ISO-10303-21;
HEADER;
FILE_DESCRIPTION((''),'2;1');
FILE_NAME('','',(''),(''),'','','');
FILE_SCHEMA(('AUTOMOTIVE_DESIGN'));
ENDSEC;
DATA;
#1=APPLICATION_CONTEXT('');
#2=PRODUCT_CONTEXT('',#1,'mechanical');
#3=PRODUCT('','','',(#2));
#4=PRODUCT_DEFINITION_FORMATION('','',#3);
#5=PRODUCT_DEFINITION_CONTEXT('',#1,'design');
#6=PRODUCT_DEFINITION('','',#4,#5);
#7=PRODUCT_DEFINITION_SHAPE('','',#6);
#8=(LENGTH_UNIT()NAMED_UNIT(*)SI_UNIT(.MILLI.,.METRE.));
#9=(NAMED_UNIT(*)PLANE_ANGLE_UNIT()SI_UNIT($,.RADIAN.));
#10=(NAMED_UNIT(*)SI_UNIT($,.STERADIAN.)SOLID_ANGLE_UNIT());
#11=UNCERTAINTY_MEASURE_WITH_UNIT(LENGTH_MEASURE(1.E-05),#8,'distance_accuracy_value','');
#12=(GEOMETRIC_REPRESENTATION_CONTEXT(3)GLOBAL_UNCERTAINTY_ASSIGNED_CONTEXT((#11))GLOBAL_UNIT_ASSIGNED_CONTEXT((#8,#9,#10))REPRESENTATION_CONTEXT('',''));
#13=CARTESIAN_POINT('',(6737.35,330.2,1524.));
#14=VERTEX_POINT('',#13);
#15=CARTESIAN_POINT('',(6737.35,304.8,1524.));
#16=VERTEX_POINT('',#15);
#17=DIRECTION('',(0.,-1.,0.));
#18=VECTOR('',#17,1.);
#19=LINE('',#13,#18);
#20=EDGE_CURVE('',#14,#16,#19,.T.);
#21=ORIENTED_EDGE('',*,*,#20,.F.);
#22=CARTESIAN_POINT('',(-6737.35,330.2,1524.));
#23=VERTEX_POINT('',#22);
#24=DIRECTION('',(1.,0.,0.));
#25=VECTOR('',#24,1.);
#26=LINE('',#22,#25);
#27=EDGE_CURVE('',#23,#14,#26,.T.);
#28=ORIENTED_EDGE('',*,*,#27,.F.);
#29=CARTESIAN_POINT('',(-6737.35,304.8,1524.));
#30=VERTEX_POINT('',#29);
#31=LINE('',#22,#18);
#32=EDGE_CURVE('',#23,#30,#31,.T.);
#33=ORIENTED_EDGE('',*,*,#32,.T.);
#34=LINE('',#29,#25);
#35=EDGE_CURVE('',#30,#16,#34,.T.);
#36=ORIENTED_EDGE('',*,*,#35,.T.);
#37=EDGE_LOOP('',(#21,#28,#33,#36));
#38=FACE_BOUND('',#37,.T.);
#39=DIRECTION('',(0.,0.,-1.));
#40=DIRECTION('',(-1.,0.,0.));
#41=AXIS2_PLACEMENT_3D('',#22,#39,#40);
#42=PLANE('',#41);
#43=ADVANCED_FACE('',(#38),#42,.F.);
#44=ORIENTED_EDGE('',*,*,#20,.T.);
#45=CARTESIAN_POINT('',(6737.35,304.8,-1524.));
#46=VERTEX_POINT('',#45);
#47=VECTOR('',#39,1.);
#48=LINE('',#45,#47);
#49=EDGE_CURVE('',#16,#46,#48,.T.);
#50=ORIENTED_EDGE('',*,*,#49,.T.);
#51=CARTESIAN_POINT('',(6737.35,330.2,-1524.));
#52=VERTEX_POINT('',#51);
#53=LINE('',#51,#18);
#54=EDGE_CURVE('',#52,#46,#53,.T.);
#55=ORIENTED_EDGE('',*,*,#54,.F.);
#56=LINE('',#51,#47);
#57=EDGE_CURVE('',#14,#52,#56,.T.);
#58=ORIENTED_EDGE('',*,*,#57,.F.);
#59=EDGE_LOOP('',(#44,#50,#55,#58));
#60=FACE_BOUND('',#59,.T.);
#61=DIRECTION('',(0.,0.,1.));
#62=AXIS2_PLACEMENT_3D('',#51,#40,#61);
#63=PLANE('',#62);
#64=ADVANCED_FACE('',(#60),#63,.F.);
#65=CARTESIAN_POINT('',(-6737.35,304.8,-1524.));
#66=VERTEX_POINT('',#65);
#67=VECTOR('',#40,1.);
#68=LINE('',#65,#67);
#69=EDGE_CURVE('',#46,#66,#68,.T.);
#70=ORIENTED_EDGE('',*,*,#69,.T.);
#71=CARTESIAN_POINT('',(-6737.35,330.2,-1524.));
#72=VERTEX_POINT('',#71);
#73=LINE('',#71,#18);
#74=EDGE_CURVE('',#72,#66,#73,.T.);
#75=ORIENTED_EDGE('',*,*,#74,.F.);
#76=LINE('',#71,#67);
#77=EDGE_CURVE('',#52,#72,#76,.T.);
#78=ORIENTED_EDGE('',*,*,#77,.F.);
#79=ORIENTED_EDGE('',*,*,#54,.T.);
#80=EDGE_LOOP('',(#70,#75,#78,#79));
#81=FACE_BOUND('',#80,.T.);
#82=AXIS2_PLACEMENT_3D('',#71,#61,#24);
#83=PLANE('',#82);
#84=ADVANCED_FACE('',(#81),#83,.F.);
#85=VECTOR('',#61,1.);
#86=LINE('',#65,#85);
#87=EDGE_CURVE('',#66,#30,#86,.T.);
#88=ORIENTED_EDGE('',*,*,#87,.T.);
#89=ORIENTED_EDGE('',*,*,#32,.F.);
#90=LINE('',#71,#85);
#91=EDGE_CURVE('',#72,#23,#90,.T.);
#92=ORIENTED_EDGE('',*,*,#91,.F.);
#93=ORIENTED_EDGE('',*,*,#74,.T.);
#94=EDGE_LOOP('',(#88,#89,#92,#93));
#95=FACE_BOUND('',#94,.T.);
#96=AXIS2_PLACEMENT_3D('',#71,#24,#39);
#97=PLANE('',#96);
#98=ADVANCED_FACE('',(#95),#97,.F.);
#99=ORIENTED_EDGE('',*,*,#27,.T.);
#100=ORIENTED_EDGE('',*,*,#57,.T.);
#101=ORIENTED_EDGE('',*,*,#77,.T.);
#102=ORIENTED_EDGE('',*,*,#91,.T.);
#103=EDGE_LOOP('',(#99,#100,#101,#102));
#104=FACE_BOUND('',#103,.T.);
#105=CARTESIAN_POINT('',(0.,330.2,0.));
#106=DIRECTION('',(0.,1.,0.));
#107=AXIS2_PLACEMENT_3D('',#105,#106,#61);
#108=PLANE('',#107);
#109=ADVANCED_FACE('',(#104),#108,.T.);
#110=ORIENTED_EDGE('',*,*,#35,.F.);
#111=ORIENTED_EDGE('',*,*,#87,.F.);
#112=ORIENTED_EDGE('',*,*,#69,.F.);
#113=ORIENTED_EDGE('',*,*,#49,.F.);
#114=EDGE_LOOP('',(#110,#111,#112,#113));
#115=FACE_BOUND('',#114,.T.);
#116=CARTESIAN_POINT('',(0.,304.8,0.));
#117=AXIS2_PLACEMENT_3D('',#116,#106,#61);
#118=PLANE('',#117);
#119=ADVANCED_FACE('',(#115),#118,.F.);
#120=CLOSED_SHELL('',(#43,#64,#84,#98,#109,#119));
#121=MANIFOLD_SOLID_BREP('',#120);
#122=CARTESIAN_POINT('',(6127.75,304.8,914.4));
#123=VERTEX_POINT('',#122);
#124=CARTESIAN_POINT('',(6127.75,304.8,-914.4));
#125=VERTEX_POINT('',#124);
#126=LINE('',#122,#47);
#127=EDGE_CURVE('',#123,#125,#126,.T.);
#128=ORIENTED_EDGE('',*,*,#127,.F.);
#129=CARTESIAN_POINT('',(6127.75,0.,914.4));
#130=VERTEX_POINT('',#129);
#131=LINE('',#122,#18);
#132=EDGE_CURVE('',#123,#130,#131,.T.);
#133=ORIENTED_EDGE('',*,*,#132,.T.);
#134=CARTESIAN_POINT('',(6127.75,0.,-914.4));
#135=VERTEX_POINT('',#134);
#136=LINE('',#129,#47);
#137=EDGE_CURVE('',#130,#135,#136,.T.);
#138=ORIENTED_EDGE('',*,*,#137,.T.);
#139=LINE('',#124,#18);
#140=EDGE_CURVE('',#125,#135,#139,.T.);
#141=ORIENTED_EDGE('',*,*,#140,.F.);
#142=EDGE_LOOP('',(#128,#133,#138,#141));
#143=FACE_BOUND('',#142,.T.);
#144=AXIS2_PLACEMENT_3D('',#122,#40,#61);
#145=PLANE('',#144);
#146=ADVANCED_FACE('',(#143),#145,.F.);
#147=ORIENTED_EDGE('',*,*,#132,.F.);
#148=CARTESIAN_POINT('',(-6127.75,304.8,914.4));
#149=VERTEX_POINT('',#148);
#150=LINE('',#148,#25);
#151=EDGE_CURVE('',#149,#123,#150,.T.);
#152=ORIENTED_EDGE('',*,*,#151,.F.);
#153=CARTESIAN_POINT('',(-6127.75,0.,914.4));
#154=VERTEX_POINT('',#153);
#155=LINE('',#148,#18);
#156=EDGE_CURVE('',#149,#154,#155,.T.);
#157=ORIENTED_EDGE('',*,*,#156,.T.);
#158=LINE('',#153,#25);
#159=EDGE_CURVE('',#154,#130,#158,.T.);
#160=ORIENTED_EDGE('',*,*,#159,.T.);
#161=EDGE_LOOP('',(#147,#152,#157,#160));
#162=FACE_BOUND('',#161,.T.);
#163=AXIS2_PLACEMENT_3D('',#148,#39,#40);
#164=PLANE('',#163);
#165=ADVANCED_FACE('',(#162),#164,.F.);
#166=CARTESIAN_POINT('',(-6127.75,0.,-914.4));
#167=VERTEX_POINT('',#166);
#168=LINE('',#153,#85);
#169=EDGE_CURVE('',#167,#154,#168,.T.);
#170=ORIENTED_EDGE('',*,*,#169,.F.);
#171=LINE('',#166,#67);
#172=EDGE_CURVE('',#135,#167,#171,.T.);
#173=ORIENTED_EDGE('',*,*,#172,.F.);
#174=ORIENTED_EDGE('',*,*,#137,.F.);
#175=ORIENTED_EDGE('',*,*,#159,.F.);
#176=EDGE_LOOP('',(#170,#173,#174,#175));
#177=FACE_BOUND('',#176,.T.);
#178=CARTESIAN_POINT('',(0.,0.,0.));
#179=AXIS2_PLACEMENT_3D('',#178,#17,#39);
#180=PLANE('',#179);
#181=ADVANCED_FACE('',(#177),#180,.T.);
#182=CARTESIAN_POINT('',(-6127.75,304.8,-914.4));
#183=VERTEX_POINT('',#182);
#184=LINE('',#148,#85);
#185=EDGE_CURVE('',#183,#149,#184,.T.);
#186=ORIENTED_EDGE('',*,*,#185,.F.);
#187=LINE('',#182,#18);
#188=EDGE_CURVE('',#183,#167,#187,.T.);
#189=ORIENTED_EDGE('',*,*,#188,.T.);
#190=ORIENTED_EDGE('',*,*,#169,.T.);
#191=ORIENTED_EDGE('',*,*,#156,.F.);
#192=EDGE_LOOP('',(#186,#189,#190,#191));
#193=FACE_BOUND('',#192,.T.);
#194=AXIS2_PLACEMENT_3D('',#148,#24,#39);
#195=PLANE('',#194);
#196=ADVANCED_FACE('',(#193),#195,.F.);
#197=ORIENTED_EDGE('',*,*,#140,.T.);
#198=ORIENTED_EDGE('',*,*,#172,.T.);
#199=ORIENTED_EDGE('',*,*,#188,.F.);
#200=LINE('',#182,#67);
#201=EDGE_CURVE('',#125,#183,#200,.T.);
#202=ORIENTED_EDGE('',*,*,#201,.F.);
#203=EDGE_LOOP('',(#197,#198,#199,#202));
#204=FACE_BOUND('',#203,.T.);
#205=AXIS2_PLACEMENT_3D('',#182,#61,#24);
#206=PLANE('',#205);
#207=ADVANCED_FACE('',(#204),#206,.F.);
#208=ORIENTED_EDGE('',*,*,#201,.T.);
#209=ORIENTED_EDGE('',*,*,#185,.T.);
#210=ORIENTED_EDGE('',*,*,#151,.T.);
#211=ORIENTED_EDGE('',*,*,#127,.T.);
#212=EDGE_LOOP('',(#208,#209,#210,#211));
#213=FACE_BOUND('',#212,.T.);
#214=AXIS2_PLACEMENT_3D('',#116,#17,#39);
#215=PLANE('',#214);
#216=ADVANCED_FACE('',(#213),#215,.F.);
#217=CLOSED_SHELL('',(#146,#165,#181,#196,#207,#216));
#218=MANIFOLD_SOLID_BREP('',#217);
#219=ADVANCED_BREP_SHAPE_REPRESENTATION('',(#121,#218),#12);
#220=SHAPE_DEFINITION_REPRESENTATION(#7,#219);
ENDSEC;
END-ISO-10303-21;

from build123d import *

# Parameters (mm, degrees)
SKETCH3_W           = 12255.5
SKETCH3_H           = 1828.8
BOSS_EXTRUDE3_DEPTH = 304.8
SKETCH4_W           = 13474.7
SKETCH4_H           = 3048
BOSS_EXTRUDE4_DEPTH = 25.4


with BuildPart() as part:
    # Sketch3 → Boss-Extrude3 (new body)
    with BuildSketch(Plane(origin=(0, 0, 0), x_dir=(-1, 0, 0), z_dir=(0, 1, 0))):
        Rectangle(SKETCH3_W, SKETCH3_H)
    extrude(amount=BOSS_EXTRUDE3_DEPTH)


with BuildPart() as body_2:
    # Sketch4 → Boss-Extrude4 (new body)
    with BuildSketch(Plane(origin=(0, 304.8, 0), x_dir=(1, 0, 0), z_dir=(0, 1, 0))):
        Rectangle(SKETCH4_W, SKETCH4_H)
    extrude(amount=BOSS_EXTRUDE4_DEPTH)


solid = Compound([part.part, body_2.part])
